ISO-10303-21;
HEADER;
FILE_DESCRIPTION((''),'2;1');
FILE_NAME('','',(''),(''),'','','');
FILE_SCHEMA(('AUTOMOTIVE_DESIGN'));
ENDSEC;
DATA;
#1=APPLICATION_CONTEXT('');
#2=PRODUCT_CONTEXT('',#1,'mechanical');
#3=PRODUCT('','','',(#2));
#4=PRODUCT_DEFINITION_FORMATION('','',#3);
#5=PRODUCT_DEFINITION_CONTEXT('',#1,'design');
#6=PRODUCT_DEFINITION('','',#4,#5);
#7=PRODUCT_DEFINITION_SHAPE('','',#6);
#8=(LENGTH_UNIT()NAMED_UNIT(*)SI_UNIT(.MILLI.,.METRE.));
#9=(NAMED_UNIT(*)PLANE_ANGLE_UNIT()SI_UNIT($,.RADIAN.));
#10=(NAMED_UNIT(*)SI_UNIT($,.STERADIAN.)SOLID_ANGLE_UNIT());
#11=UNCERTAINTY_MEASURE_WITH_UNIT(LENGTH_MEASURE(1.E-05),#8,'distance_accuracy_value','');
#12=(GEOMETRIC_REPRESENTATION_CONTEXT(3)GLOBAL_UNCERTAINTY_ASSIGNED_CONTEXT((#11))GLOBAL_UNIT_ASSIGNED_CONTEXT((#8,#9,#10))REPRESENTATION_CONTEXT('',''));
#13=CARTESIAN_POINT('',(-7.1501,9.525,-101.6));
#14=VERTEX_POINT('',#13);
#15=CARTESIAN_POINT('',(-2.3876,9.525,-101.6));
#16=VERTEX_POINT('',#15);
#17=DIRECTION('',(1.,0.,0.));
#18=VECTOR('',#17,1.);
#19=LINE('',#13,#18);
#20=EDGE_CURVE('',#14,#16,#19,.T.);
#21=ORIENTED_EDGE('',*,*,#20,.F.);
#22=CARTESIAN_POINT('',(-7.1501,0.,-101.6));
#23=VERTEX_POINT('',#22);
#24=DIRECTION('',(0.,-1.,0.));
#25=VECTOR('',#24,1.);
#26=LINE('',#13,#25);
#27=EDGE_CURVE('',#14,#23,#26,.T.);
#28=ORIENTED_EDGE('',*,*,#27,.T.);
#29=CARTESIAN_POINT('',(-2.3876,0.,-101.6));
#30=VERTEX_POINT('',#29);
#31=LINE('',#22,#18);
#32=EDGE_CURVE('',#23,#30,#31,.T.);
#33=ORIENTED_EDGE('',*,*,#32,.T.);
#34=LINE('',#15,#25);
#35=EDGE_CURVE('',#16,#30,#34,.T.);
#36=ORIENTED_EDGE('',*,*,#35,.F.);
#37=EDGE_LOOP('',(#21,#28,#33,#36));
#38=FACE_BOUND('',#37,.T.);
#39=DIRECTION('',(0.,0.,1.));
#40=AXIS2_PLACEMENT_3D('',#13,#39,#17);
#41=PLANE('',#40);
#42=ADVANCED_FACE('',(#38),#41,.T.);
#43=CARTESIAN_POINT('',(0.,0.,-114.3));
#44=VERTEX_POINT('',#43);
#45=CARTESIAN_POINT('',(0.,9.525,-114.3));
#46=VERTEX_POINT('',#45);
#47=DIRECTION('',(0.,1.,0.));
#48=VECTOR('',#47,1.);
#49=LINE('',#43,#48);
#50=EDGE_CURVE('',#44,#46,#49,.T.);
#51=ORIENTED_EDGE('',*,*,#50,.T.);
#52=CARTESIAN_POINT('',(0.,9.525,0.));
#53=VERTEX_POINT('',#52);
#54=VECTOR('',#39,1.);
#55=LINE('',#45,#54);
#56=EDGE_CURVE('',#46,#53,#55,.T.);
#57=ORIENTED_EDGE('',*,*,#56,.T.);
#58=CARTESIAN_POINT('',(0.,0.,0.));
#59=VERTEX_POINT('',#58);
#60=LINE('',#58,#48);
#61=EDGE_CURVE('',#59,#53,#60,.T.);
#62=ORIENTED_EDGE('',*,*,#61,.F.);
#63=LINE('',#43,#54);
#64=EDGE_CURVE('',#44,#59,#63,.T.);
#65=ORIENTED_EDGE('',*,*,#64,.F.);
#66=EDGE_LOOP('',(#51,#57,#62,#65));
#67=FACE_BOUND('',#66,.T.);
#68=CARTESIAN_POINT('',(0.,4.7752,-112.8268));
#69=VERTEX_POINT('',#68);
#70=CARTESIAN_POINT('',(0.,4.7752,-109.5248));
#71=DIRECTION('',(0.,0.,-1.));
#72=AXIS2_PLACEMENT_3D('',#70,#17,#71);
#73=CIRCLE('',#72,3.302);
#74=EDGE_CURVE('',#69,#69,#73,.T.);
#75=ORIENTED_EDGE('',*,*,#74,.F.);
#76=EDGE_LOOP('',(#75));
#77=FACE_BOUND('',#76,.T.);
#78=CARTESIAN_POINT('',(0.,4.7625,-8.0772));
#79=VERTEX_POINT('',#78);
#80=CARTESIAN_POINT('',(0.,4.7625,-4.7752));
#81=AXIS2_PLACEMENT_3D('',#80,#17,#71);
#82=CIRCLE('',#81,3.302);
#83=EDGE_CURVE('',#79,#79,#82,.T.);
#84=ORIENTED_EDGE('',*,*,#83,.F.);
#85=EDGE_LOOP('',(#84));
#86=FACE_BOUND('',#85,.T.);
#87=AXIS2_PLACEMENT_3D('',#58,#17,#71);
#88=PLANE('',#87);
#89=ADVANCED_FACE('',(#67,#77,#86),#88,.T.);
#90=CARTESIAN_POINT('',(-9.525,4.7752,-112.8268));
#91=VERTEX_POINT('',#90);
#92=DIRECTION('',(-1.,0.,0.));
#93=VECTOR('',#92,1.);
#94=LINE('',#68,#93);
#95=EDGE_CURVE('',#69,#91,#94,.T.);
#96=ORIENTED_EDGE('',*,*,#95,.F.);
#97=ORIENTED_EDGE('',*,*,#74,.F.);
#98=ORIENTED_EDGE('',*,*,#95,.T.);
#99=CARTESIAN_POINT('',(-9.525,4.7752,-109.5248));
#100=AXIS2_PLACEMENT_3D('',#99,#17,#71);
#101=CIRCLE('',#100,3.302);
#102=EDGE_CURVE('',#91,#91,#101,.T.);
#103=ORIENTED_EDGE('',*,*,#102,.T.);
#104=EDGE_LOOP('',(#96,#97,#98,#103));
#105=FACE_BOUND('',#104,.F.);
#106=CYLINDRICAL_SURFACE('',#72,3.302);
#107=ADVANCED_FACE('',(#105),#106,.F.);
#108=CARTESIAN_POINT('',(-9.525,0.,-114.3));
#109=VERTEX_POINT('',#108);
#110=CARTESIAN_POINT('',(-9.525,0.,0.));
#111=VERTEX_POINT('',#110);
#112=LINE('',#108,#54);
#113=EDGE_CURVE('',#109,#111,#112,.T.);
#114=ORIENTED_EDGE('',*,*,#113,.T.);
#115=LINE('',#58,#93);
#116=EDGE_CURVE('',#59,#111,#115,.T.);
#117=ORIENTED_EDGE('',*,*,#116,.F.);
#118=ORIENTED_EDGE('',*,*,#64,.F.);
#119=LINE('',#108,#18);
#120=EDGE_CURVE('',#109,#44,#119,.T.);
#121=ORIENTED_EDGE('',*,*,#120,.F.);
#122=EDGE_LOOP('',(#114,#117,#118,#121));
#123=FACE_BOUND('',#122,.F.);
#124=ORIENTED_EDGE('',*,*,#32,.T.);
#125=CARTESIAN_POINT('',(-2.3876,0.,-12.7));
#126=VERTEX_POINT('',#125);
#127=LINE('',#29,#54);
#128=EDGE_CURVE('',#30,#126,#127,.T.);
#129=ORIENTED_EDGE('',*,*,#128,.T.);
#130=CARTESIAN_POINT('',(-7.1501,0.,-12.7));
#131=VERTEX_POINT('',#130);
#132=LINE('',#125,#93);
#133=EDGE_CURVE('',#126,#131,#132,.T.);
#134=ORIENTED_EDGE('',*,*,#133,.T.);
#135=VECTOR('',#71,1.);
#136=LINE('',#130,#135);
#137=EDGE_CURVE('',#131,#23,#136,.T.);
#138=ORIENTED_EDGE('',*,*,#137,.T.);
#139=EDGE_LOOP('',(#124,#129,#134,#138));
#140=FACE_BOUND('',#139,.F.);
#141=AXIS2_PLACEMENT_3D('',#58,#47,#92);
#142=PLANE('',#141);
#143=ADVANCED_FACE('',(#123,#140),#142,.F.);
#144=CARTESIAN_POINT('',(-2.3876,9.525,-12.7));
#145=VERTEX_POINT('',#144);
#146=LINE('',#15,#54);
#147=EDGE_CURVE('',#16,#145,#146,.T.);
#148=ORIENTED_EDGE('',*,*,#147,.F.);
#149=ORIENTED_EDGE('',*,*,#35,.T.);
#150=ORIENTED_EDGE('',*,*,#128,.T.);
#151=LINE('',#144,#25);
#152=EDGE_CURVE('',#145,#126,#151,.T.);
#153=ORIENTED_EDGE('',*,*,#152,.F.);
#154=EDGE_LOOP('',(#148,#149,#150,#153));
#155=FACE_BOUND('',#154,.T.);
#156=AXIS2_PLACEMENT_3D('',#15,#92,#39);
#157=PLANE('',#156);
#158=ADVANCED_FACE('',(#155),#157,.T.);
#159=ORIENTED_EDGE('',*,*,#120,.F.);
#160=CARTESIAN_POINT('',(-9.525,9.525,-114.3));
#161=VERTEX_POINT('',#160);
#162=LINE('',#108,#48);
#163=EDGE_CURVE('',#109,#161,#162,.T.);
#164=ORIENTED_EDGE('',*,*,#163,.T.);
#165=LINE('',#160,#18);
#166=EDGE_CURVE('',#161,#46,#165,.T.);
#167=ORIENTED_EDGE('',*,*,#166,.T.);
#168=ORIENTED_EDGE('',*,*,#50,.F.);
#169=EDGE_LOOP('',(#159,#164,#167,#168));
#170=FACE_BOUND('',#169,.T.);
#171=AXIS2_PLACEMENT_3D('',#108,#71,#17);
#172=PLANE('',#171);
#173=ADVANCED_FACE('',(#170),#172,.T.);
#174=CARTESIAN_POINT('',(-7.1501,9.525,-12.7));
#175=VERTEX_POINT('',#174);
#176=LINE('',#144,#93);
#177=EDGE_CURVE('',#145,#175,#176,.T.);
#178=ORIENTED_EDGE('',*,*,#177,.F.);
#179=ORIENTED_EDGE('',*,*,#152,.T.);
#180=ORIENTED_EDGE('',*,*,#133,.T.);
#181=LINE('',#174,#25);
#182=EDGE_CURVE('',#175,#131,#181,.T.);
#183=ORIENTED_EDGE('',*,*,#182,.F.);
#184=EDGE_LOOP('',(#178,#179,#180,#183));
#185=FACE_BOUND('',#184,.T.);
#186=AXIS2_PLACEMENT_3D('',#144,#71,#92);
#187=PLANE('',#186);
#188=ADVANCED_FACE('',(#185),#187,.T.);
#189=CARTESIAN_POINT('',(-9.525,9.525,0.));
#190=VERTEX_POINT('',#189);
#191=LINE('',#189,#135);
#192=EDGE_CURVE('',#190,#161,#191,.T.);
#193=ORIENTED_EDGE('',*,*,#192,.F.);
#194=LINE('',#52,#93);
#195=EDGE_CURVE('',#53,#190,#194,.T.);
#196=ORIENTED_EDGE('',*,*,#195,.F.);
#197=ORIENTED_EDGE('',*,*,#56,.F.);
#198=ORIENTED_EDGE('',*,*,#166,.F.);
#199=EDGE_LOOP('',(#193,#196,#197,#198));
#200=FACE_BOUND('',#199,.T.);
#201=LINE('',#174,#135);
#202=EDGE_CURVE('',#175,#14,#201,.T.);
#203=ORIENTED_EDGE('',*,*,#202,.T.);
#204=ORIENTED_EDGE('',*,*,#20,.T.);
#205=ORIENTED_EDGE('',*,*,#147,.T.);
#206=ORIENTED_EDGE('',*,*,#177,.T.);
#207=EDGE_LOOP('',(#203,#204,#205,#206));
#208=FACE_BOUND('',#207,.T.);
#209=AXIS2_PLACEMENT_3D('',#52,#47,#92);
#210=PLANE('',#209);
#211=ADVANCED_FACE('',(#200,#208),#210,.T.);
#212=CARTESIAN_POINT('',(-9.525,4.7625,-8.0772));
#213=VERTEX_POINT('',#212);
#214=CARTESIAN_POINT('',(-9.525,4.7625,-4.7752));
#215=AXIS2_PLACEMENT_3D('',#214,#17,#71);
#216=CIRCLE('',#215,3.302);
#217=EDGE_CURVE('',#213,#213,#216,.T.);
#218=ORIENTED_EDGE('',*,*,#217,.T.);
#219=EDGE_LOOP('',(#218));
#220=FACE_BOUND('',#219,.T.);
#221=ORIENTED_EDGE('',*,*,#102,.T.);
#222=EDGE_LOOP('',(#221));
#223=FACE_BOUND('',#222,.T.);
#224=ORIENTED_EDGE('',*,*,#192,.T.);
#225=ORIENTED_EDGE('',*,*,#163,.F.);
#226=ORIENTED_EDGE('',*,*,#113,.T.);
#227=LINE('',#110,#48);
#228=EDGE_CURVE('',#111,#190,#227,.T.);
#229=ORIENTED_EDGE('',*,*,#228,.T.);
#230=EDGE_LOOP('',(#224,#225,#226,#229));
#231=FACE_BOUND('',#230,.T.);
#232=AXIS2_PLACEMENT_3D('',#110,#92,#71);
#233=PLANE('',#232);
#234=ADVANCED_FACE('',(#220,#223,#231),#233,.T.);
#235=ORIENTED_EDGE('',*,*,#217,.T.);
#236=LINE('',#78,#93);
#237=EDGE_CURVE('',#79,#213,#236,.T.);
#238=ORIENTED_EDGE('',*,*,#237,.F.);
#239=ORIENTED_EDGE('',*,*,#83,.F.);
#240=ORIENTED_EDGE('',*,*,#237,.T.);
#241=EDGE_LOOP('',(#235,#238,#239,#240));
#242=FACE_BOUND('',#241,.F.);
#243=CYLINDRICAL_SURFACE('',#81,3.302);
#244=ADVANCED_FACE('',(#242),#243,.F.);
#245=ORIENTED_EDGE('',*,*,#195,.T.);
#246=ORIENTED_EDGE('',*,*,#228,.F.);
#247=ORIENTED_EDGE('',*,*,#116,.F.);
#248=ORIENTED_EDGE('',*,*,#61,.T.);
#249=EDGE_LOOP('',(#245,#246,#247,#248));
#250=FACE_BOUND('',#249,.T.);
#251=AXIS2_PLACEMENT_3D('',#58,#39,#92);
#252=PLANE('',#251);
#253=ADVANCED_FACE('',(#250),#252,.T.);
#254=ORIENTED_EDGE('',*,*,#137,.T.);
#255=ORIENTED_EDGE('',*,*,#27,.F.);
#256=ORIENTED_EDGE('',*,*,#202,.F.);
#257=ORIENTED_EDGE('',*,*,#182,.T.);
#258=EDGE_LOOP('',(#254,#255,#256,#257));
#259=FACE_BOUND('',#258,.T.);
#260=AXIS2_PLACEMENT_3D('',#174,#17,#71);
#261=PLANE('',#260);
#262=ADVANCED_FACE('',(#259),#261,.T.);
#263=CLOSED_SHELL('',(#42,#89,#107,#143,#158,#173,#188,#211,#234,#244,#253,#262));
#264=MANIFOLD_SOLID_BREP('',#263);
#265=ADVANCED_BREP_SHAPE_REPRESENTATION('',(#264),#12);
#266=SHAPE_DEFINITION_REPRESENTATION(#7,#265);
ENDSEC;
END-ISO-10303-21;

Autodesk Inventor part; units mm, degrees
ref_plane "YZ Plane" through (0, 0, 0) normal (1, 0, 0) x (0, 1, 0)
ref_plane "XZ Plane" through (0, 0, 0) normal (0, 1, 0) x (-1, 0, 0)
ref_plane "XY Plane" through (0, 0, 0) normal (0, 0, 1) x (1, 0, 0)
sketch "Sketch1" plane through (0, 0, 0) normal (0, 1, 0) x (-1, 0, 0)
  line L0 (0, 0) -> (9.525, 0)
  line L1 (9.525, 0) -> (9.525, -114.3)
  line L2 (9.525, -114.3) -> (0, -114.3)
  line L3 (0, -114.3) -> (0, 0)
  dimension "d0" = 9.525
  dimension "d1" = 114.3
extrude "Extrusion1" add sketch "Sketch1" along normal blind 9.525
sketch "Sketch2" plane through (0, 9.525, 0) normal (0, 1, 0) x (1, 0, 0)
  point P0 (0, 0)
  point P1 (-2.3813, 12.7)
sketch "Sketch3" plane through (0, 9.525, 0) normal (0, 1, 0) x (1, 0, 0)
  line L0 (-2.3876, 12.7) -> (-7.1501, 12.7)
  line L1 (-7.1501, 12.7) -> (-7.1501, 101.6)
  line L2 (-7.1501, 101.6) -> (-2.3876, 101.6)
  line L3 (-2.3876, 101.6) -> (-2.3876, 12.7)
  point P0 (0, 0)
  dimension "d4" = 4.7625
  dimension "d5" = 88.9
extrude "Extrusion2" cut sketch "Sketch3" against normal blind 9.525
sketch "Sketch4" plane through (0, 0, 0) normal (1, 0, 0) x (0, 0, -1)
  circle A0 centre (6.1453, 4.7625) radius 3.175
  circle A1 centre (6.1453, 4.7625) radius 3.302
  point P0 (0, 0)
  dimension "d8" = 6.35
  dimension "d9" = 6.604
extrude "Extrusion3" cut sketch "Sketch4" against normal blind 8.255 contours A0 | A1
sketch "Sketch5" plane through (0, 0, 0) normal (1, 0, 0) x (0, 0, -1)
  point P0 (0, 0)
  point P1 (107.95, 4.7625)
sketch "Sketch6" plane through (0, 0, 0) normal (1, 0, 0) x (0, 0, -1)
  circle A0 centre (6.1453, 4.7625) radius 3.302 projected
  circle A1 centre (6.1453, 4.7625) radius 3.302
  point P0 (0, 0)
extrude "Extrusion4" add sketch "Sketch6" against normal blind 9.2075
sketch "Sketch7" plane through (0, 0, 0) normal (1, 0, 0) x (0, 0, -1)
  circle A0 centre (4.7752, 4.7625) radius 3.302
  circle A1 centre (109.5248, 4.7752) radius 3.302
  point P0 (0, 0)
  dimension "d14" = 6.604
  dimension "d15" = 6.604
extrude "Extrusion5" cut sketch "Sketch7" against normal blind 7.62
sketch "Sketch8" plane through (-9.525, 0, -114.3) normal (-1, 0, 0) x (0, 0, 1)
  line L0 (61.9125, 3.175) -> (52.3875, 3.175)
  line L1 (52.3875, 3.175) -> (52.3875, 6.35)
  line L2 (52.3875, 6.35) -> (61.9125, 6.35)
  line L3 (61.9125, 6.35) -> (61.9125, 3.175)
  line L4 (61.9125, 3.175) -> (52.3875, 6.35) construction
  line L5 (52.3875, 3.175) -> (61.9125, 6.35) construction
  point P0 (114.3, 0)
  point P1 (57.15, 4.7625)
  dimension "d18" = 9.525
  dimension "d19" = 3.175
extrude "Extrusion6" add sketch "Sketch8" along normal blind 19.05
sketch "Sketch9" plane through (-9.525, 6.35, -52.3875) normal (0, 1, 0) x (1, 0, 0)
  point P0 (9.525, -52.3875)
sketch "Sketch10" plane through (-28.575, 0, -114.3) normal (-1, 0, 0) x (0, 0, 1)
  point P0 (114.3, 0)
sketch "Sketch11" plane through (-28.575, 0, -114.3) normal (-1, 0, 0) x (0, 0, 1)
  line L0 (61.9125, 3.175) -> (52.3875, 3.175) projected
  line L1 (52.3875, 6.35) -> (61.9125, 6.35) projected
  line L2 (52.3875, 3.175) -> (61.9125, 3.175)
  line L3 (61.9125, 3.175) -> (61.9125, 6.35)
  line L4 (61.9125, 6.35) -> (52.3875, 6.35)
  line L5 (52.3875, 6.35) -> (52.3875, 3.175)
  point P0 (114.3, 0)
extrude "Extrusion7" add sketch "Sketch11" along normal blind 6.35
sketch "Sketch12" plane through (-34.925, 0, -114.3) normal (-1, 0, 0) x (0, 0, 1)
  line L0 (52.3875, 6.35) -> (61.9125, 6.35) projected
  line L1 (52.3875, 3.175) -> (52.3875, 6.35) projected
  line L2 (61.9125, 6.35) -> (52.3875, 6.35)
  line L3 (52.3875, 6.35) -> (52.3875, 3.175)
  line L4 (52.3875, 3.175) -> (61.9125, 3.175)
  line L5 (61.9125, 3.175) -> (61.9125, 6.35)
  point P0 (114.3, 0)
sketch "Sketch13" plane through (-9.525, 3.175, -61.9125) normal (0, -1, 0) x (1, 0, 0)
  circle A0 centre (-20.6248, 4.7625) radius 3.175
  point P0 (9.525, 61.9125)
  dimension "d24" = 6.35
extrude "Extrusion8" cut sketch "Sketch13" against normal blind 6.35
fillet "Fillet1" radius 3.175 2 edges at (-9.525, 6.35, -57.15) (-9.525, 3.175, -57.15)
fillet "Fillet2" radius 3.175 2 edges at (-9.525, 4.7625, -52.3875) (-9.525, 4.7625, -61.9125)
sketch "Sketch14" plane through (-9.525, 0, 0) normal (-1, 0, 0) x (0, 0, 1)
  line L0 (-61.9125, 3.175) -> (-52.3875, 3.175) projected
  line L1 (-61.9125, 3.175) -> (-87.3125, 3.175)
  line L2 (-87.3125, 3.175) -> (-87.3125, 6.35)
  line L3 (-87.3125, 6.35) -> (-61.9125, 6.35)
  line L4 (-61.9125, 6.35) -> (-61.9125, 3.175)
  line L5 (-49.2125, 0) -> (-52.3875, 3.175) projected
  line L6 (-52.3875, 3.175) -> (-26.9875, 3.175)
  line L7 (-26.9875, 3.175) -> (-26.9875, 6.35)
  line L8 (-26.9875, 6.35) -> (-52.3875, 6.35)
  line L9 (-52.3875, 6.35) -> (-52.3875, 3.175)
  point P0 (0, 0)
  dimension "d29" = 25.4
  dimension "d30" = 25.4
sketch "Sketch15" plane through (-9.525, 0, 0) normal (-1, 0, 0) x (0, 0, 1)
  point P0 (0, 0)
sketch "Sketch16" plane through (-34.925, 6.35, -52.3875) normal (0, 1, 0) x (1, 0, 0)
  arc A0 (25.3996, 34.9251) -> (25.3996, -25.3998) centre (30.609, 4.7627) ccw
  line L0 (25.3996, 34.9251) -> (25.3996, -25.3998)
  line L1 (25.4, 61.9125) -> (25.4, 12.7) projected
  point P0 (34.925, -52.3875)
sketch "Sketch17" plane through (-34.925, 6.35, -52.3875) normal (0, 1, 0) x (1, 0, 0)
  circle A0 centre (4.7752, 4.7625) radius 3.175 projected
  point P0 (34.925, -52.3875)
sketch "Sketch18" plane through (0, 9.525, 0) normal (0, 1, 0) x (1, 0, 0)
  point P0 (0, 0)
sketch "Sketch19" plane through (-9.525, 0, -114.3) normal (-1, 0, 0) x (0, 0, 1)
  point P0 (114.3, 0)
extrude "Extrusion9" add sketch "Sketch16" against normal blind 3.175
hole "Hole1" at (-30.1498, 6.35, -57.15) direction (0, -1, 0) diameter 6.35 depth 3.048 tip angle 118
sketch "Sketch20" plane through (0, 9.525, 0) normal (0, 1, 0) x (1, 0, 0)
  line L0 (-9.525, 0) -> (-9.525, 49.2125) projected
  line L1 (-9.525, 0) -> (-38.3402, 0)
  line L2 (-38.3402, 0) -> (-38.3402, 114.3)
  line L3 (-38.3402, 114.3) -> (-9.525, 114.3)
  line L4 (-9.525, 114.3) -> (-9.525, 0)
  point P0 (0, 0)
extrude "Extrusion10" cut sketch "Sketch20" against normal blind 25.4
sketch "Sketch21" plane through (0, 0, 0) normal (1, 0, 0) x (0, 0, -1)
  circle A0 centre (4.7752, 4.7625) radius 3.302 projected
  circle A1 centre (4.7752, 4.7625) radius 3.302
  circle A2 centre (109.5248, 4.7752) radius 3.302 projected
  circle A3 centre (109.5248, 4.7752) radius 3.302
  point P0 (0, 0)
extrude "Extrusion11" cut sketch "Sketch21" against normal blind 12.7
equation "\"d38\" = Thickness"
equation "\"BendRadius\" = Thickness"
equation "\"BendReliefWidth\" = Thickness"
equation "\"BendReliefDepth\" = 0.5 * Thickness"
equation "\"CornerReliefSize\" = 4 * Thickness"
equation "\"MinimumRemnant\" = 2 * Thickness"
equation "\"TransitionRadius\" = BendRadius"
equation "\"JacobiRadiusSize\" = Thickness"
equation "\"GapSize\" = Thickness"
equation "\"Thickness\" = 3.048"
properties part number "MTV horizantal connector (12.10)"
